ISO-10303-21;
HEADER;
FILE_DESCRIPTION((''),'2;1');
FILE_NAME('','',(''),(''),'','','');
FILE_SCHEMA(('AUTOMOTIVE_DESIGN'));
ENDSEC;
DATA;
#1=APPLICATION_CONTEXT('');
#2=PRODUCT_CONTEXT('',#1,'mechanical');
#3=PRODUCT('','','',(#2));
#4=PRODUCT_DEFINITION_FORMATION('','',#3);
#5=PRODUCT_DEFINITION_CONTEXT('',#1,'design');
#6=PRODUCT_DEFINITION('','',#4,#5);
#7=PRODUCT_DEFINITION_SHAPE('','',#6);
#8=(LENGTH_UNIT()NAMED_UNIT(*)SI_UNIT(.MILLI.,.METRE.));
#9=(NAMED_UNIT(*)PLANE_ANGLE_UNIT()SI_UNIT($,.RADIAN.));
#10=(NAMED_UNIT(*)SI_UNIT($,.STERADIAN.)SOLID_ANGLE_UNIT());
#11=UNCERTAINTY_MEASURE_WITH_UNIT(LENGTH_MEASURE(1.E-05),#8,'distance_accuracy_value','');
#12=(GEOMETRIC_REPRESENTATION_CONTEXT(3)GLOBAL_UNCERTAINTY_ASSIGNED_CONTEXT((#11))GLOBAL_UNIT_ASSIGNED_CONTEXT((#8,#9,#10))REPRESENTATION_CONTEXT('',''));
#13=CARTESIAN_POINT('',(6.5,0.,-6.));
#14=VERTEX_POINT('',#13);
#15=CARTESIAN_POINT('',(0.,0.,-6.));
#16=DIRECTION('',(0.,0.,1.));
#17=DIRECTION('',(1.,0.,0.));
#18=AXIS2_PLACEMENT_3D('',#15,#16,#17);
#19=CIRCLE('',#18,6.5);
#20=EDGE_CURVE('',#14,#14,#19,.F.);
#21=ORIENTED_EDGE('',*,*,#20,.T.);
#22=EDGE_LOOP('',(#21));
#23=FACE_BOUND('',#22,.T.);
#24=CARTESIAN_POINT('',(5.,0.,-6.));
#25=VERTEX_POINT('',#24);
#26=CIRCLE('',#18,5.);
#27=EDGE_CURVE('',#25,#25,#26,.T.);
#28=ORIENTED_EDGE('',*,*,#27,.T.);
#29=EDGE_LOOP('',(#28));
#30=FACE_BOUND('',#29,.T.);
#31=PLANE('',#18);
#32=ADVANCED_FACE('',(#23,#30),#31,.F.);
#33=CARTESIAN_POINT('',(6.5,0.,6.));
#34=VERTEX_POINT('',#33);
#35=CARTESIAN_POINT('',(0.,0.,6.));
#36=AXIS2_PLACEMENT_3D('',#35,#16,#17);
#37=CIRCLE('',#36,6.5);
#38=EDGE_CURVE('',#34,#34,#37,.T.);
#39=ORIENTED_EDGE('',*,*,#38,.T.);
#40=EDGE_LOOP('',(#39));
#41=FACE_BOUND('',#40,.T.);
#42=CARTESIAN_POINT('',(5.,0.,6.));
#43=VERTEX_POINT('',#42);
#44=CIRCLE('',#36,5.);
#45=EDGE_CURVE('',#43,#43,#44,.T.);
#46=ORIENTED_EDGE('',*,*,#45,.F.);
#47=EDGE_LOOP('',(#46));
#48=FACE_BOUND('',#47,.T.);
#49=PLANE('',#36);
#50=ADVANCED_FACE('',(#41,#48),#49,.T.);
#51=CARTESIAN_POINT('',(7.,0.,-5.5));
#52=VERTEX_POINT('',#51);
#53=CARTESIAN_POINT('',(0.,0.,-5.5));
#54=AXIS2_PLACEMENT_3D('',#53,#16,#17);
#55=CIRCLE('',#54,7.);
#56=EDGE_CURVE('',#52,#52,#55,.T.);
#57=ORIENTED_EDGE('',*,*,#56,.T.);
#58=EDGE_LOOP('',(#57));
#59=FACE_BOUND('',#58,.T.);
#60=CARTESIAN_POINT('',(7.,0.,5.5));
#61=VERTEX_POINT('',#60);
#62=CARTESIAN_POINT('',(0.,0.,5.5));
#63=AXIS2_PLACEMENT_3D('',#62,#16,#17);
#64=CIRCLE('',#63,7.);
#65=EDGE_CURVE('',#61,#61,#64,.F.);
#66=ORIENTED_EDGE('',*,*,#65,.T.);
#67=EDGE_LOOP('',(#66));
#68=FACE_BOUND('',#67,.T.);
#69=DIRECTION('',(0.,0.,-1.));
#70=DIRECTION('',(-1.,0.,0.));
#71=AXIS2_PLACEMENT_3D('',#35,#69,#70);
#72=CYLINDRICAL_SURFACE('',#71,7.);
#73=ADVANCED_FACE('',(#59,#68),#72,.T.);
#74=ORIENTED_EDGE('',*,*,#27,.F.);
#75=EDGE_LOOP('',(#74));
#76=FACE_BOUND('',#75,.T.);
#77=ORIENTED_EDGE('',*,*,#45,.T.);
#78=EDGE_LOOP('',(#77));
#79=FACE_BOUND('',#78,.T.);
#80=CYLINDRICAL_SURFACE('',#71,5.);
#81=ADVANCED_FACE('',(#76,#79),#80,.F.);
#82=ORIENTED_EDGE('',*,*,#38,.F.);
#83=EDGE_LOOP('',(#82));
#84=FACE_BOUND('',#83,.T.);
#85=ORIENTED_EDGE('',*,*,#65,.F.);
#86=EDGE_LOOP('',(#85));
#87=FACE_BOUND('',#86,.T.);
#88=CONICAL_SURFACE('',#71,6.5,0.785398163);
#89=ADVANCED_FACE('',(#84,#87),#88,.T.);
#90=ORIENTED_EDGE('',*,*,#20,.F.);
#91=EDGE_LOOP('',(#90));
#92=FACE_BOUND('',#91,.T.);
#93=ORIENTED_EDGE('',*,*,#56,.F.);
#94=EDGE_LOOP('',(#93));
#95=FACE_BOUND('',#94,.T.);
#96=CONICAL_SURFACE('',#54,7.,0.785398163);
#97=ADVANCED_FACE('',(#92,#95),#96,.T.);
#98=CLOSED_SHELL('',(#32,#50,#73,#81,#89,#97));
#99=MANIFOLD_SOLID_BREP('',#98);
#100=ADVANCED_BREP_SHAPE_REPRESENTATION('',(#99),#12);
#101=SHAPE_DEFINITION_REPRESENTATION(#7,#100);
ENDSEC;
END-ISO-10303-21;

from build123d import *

# Parameters (mm, degrees)
SKETCH1_R           = 7
SKETCH1_R_2         = 5
BOSS_EXTRUDE1_DEPTH = 6
CHAMFER1_SIZE       = 0.5


with BuildPart() as part:
    # Sketch1 → Boss-Extrude1 (new, symmetric)
    with BuildSketch(Plane(origin=(0, 0, 0), x_dir=(0, 1, 0), z_dir=(0, 0, 1))):
        with Locations(Location((0, 0, 0), (0, 0, 270))):
            Circle(SKETCH1_R)
        with Locations(Location((0, 0, 0), (0, 0, 270))):
            Circle(SKETCH1_R_2, mode=Mode.SUBTRACT)
    extrude(amount=BOSS_EXTRUDE1_DEPTH, both=True)

    # Chamfer1
    chamfer1_edges = [part.edges().sort_by_distance(p)[0] for p in [
        (-7, 0, -6),
        (-7, 0, 6),
    ]]
    chamfer(chamfer1_edges, length=CHAMFER1_SIZE)


solid = part.part
